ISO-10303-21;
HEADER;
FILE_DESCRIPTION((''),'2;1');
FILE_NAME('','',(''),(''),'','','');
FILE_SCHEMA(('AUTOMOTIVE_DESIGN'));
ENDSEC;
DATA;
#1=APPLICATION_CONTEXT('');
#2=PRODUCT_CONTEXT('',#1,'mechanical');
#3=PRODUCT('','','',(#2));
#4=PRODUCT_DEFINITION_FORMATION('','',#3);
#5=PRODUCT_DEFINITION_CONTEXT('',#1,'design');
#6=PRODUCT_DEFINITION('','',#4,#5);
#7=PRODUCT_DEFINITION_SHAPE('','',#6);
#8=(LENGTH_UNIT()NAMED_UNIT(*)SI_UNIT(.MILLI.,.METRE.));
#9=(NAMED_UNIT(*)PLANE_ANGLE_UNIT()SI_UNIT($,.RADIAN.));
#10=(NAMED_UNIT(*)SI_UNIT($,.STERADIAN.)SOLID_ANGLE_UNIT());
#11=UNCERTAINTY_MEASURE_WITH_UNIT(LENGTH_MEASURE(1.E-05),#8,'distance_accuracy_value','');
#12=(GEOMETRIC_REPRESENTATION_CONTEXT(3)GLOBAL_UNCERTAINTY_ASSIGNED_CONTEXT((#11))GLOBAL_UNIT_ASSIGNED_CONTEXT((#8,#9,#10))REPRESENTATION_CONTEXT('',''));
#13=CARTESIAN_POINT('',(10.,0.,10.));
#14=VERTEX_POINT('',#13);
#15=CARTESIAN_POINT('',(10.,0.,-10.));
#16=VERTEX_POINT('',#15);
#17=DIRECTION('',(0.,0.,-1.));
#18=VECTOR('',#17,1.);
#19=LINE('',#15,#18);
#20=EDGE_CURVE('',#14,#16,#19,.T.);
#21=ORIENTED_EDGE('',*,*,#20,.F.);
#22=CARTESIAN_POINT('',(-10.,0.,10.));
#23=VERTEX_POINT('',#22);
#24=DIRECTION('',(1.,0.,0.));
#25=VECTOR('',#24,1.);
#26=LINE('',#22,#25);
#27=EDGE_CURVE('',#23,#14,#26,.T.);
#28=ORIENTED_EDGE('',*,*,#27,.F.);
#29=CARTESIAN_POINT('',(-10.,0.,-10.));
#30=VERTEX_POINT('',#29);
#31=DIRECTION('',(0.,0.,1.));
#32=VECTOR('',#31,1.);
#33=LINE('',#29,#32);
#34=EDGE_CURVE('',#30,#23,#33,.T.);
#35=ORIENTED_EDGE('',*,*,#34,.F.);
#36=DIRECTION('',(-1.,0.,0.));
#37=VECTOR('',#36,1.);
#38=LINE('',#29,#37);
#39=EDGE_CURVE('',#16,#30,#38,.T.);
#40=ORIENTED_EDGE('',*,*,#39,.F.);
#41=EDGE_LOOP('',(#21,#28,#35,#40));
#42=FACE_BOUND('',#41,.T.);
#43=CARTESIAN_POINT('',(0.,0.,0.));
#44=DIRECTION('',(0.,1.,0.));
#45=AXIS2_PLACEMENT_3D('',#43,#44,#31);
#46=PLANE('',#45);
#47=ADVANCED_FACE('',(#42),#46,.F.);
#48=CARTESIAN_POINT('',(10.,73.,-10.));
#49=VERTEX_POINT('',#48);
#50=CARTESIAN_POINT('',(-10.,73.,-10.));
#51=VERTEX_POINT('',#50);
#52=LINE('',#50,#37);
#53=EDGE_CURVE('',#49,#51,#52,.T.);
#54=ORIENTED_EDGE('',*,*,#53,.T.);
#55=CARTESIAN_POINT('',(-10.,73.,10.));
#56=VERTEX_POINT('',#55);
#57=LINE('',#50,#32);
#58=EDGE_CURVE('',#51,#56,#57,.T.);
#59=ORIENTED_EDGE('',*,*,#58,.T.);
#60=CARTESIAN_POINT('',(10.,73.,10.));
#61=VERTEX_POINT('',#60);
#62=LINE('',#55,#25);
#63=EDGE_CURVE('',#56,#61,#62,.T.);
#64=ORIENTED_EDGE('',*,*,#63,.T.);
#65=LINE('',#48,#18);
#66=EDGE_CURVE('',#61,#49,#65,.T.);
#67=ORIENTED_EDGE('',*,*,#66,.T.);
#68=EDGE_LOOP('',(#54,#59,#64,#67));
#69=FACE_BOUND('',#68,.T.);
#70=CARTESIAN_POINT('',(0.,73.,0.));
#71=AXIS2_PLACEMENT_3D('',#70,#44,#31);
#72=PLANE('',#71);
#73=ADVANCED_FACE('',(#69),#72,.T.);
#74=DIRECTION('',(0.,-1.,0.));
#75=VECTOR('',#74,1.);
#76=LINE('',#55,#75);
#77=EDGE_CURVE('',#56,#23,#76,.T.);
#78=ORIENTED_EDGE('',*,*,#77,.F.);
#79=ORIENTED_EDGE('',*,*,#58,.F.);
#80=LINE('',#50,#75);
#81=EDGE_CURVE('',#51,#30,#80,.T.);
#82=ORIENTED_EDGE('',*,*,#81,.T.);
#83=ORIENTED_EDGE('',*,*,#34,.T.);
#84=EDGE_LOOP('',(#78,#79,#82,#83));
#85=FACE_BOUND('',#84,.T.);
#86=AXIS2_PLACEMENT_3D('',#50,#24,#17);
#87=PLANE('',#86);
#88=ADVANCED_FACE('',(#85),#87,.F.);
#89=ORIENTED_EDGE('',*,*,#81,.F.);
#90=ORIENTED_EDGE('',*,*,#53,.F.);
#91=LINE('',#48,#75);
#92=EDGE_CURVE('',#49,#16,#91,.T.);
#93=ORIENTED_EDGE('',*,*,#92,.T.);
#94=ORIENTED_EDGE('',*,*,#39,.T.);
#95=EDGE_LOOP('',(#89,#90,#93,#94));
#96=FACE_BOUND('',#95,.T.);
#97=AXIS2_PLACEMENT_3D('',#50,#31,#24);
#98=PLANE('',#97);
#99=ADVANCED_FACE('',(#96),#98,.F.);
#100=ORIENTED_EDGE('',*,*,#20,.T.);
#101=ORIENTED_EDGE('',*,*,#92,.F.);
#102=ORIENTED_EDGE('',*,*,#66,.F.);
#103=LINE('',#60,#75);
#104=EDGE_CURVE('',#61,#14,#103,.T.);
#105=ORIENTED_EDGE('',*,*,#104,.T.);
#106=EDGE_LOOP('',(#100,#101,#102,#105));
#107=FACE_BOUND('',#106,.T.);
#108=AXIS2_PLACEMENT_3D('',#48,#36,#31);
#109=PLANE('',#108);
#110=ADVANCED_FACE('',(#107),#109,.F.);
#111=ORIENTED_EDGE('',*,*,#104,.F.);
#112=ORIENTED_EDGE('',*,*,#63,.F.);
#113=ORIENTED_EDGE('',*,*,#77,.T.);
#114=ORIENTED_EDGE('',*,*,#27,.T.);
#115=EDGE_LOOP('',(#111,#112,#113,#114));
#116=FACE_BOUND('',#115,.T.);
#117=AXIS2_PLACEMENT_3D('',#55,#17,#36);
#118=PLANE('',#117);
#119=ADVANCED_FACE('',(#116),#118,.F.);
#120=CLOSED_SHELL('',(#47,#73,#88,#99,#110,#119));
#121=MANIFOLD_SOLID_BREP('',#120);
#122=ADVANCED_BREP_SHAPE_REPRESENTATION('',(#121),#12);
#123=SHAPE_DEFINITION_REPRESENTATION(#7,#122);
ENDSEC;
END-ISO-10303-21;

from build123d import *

# Parameters (mm, degrees)
SKETCH_1_W      = 20
SKETCH_1_H      = 20
EXTRUDE_1_DEPTH = 73


with BuildPart() as part:
    # 草图1 → 凸台-拉伸1 (new body)
    with BuildSketch(Plane(origin=(0, 0, 0), x_dir=(1, 0, 0), z_dir=(0, 1, 0))):
        Rectangle(SKETCH_1_W, SKETCH_1_H)
    extrude(amount=EXTRUDE_1_DEPTH)


solid = part.part
